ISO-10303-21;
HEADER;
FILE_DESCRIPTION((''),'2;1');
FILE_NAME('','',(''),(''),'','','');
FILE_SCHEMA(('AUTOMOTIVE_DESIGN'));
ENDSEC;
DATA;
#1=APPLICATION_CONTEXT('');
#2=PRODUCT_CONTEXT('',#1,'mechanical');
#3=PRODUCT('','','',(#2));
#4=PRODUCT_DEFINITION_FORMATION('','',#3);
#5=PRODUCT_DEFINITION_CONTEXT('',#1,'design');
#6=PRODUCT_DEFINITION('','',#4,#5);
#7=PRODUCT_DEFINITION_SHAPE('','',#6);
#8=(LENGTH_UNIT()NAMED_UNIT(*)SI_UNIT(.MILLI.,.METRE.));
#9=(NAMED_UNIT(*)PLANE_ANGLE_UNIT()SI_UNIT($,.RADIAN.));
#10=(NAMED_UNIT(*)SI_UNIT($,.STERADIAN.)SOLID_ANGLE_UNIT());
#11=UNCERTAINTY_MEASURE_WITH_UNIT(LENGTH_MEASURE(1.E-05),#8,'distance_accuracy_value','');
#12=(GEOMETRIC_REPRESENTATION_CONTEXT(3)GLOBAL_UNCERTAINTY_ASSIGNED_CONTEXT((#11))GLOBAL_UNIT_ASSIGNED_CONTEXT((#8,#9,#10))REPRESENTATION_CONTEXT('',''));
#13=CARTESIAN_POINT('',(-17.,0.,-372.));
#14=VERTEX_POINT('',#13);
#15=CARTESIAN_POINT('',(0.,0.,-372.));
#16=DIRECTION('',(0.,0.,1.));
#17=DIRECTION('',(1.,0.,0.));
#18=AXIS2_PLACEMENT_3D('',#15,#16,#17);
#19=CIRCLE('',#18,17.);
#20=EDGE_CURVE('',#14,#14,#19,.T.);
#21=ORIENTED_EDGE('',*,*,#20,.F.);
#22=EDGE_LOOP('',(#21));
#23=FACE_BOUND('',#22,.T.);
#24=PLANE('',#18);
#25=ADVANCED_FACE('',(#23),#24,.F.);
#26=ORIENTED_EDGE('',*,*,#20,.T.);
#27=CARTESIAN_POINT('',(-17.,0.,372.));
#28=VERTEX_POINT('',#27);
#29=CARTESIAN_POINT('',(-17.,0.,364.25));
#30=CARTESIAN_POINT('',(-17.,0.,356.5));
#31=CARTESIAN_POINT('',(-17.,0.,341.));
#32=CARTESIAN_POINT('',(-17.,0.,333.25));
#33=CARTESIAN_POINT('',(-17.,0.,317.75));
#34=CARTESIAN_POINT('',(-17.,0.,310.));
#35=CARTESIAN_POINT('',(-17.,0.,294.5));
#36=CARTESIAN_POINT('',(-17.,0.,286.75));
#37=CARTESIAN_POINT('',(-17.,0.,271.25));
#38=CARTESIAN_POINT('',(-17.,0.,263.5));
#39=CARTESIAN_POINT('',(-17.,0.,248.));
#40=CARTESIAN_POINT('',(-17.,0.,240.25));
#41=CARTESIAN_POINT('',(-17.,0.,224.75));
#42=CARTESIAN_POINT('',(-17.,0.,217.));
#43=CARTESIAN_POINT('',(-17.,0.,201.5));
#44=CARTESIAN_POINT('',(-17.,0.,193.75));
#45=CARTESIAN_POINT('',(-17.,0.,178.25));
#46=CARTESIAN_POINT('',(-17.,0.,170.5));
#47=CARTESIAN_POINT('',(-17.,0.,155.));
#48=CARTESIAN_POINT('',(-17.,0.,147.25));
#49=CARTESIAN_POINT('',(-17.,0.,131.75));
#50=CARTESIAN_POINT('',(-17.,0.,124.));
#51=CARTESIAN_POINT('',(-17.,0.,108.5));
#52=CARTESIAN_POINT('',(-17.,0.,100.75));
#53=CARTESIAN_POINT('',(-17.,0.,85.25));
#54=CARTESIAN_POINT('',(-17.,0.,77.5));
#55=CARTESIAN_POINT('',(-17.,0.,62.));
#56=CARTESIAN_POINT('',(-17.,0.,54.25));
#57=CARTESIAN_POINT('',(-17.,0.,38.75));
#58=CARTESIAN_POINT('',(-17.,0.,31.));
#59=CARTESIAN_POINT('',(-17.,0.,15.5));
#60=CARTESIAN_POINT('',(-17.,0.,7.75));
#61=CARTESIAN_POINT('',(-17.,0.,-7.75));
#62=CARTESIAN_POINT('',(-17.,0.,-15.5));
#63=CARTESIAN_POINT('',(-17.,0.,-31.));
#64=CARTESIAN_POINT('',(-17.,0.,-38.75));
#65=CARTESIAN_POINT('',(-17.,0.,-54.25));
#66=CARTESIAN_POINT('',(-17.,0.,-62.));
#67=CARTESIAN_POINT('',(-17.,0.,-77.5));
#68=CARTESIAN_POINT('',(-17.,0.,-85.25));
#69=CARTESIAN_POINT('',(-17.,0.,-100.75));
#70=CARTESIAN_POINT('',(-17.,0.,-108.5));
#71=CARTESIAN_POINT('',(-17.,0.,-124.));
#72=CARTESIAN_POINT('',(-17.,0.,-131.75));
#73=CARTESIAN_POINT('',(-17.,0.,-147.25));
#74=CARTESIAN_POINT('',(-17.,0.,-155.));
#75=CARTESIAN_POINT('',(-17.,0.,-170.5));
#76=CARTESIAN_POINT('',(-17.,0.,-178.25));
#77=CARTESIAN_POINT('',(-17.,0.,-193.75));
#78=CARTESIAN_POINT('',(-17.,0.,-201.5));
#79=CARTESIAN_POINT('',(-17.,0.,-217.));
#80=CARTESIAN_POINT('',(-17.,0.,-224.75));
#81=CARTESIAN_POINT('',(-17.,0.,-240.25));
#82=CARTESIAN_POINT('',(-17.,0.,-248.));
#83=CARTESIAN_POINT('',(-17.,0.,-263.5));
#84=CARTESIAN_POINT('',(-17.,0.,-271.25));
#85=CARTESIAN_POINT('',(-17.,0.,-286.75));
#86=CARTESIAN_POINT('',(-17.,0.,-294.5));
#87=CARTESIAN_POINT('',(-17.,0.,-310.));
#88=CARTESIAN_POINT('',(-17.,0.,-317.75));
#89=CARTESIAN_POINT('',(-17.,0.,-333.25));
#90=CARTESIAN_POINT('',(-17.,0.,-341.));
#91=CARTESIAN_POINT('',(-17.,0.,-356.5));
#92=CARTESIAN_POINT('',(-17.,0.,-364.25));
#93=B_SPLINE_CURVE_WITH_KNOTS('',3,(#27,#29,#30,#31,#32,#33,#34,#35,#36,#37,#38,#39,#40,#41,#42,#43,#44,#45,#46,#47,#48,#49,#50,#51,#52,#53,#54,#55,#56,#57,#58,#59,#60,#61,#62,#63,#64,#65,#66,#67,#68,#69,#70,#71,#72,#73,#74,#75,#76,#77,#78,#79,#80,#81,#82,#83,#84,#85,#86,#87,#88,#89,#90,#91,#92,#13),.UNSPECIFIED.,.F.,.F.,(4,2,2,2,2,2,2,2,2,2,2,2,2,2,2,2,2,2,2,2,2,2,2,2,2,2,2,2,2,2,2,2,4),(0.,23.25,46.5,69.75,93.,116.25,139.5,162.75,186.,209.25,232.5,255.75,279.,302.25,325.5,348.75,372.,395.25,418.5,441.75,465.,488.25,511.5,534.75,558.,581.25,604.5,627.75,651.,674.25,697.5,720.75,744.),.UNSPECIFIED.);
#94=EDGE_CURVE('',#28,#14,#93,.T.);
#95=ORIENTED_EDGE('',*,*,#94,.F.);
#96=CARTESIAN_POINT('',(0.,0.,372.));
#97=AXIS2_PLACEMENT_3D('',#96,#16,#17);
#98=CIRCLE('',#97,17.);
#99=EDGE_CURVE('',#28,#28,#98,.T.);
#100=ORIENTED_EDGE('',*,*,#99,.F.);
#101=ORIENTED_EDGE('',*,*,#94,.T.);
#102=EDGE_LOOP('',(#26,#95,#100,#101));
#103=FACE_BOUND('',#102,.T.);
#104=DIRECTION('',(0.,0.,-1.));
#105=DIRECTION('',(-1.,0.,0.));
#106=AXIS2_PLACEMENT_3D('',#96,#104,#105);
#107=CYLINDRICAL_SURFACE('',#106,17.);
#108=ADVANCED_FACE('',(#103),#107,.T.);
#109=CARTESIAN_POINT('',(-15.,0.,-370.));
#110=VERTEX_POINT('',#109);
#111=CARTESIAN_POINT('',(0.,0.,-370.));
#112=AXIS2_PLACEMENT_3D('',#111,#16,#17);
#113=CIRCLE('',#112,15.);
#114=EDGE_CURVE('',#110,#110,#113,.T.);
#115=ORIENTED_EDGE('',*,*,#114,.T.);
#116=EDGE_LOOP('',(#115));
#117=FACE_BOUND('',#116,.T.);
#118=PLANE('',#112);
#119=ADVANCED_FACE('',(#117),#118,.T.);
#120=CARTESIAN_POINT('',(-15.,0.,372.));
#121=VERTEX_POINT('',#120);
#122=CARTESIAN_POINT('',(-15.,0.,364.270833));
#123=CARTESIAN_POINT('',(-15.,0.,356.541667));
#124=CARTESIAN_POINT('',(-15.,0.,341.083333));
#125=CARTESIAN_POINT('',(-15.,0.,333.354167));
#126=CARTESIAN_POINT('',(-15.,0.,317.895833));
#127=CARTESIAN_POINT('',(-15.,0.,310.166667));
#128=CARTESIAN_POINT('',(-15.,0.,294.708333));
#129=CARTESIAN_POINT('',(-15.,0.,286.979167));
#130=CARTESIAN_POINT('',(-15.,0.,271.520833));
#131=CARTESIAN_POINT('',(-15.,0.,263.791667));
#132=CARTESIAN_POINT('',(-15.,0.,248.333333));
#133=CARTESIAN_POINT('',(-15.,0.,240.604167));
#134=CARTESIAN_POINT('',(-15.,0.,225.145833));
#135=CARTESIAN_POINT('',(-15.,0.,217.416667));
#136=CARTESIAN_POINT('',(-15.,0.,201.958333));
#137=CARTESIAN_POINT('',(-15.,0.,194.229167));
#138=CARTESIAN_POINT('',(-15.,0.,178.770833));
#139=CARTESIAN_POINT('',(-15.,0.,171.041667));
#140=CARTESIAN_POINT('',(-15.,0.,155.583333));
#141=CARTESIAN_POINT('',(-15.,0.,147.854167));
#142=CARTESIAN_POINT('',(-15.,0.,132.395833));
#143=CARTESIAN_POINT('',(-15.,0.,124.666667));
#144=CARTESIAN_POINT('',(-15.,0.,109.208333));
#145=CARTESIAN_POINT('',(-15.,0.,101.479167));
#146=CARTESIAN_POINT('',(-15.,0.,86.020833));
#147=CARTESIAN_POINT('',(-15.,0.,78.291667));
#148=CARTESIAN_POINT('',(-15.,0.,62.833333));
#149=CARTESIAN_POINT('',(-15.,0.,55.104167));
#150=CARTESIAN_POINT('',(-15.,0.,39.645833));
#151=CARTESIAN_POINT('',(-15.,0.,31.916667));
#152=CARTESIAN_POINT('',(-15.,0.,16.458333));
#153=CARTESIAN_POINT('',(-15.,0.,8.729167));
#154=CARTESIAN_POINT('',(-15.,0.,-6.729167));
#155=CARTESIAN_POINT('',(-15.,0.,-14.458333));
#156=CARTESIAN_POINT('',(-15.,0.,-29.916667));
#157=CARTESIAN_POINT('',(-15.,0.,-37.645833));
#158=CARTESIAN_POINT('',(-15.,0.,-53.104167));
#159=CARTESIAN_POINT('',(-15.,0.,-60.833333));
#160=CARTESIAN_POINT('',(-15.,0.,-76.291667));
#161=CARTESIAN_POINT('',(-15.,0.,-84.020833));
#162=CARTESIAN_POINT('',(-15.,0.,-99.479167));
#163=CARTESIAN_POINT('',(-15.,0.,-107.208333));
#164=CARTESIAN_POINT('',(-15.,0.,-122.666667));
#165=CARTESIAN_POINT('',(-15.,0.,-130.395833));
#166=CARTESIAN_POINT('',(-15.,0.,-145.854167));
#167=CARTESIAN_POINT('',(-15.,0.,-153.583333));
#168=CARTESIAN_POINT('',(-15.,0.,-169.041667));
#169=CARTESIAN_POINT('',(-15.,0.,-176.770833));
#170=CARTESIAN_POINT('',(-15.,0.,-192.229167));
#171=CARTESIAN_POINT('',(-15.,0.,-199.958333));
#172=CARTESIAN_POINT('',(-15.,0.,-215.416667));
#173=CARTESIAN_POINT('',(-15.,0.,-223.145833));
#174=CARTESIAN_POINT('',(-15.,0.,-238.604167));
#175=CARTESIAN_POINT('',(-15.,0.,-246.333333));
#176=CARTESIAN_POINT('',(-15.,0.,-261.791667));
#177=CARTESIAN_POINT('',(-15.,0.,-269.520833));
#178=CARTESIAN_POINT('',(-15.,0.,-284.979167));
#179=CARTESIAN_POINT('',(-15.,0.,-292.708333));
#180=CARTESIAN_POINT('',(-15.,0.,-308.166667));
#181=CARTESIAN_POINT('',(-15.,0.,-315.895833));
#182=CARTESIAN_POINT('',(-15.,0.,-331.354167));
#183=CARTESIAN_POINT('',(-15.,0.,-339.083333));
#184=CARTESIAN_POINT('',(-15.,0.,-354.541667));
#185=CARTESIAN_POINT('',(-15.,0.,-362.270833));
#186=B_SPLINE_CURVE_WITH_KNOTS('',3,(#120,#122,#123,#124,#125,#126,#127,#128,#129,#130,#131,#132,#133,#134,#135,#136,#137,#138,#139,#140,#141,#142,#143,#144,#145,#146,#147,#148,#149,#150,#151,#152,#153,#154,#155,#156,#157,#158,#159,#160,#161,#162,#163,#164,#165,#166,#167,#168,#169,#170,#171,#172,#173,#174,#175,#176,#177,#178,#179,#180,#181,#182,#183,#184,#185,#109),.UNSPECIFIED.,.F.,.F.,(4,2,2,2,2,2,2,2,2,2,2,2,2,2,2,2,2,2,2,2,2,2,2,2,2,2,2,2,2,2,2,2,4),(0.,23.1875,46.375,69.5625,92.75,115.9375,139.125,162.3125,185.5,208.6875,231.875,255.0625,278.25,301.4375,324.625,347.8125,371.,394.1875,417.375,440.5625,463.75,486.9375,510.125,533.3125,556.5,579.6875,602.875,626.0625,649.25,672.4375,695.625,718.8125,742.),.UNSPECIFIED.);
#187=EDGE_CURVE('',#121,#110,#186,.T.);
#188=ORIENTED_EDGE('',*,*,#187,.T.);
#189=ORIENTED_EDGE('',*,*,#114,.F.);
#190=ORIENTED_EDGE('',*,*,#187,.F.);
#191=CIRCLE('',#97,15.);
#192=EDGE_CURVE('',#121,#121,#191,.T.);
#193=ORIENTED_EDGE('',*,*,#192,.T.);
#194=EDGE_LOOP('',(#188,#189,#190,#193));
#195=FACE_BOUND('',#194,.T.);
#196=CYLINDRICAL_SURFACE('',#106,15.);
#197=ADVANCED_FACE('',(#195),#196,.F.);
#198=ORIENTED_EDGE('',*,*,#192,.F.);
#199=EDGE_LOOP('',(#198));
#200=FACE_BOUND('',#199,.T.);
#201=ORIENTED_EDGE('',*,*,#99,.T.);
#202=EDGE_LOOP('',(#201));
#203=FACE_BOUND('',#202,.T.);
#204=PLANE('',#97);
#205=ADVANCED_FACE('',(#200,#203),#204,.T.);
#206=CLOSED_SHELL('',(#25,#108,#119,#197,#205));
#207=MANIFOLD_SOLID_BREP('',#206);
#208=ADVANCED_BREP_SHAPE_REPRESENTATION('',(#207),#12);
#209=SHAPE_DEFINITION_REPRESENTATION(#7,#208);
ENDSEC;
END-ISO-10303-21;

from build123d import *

# Parameters (mm, degrees)
SKETCH1_R      = 17
EXTRUDE1_DEPTH = 372
SHELL1_T       = -2


with BuildPart() as part:
    # Sketch1 → Extrude1 (new, symmetric)
    with BuildSketch(Plane.XY):
        with Locations(Location((0, 0, 0), (0, 0, 180))):
            Circle(SKETCH1_R)
    extrude(amount=EXTRUDE1_DEPTH, both=True)

    # Shell1
    shell1_openings = [part.faces().sort_by_distance(p)[0] for p in [
        (0, 0, 372),
    ]]
    offset(amount=SHELL1_T, openings=shell1_openings, kind=Kind.INTERSECTION)


solid = part.part
